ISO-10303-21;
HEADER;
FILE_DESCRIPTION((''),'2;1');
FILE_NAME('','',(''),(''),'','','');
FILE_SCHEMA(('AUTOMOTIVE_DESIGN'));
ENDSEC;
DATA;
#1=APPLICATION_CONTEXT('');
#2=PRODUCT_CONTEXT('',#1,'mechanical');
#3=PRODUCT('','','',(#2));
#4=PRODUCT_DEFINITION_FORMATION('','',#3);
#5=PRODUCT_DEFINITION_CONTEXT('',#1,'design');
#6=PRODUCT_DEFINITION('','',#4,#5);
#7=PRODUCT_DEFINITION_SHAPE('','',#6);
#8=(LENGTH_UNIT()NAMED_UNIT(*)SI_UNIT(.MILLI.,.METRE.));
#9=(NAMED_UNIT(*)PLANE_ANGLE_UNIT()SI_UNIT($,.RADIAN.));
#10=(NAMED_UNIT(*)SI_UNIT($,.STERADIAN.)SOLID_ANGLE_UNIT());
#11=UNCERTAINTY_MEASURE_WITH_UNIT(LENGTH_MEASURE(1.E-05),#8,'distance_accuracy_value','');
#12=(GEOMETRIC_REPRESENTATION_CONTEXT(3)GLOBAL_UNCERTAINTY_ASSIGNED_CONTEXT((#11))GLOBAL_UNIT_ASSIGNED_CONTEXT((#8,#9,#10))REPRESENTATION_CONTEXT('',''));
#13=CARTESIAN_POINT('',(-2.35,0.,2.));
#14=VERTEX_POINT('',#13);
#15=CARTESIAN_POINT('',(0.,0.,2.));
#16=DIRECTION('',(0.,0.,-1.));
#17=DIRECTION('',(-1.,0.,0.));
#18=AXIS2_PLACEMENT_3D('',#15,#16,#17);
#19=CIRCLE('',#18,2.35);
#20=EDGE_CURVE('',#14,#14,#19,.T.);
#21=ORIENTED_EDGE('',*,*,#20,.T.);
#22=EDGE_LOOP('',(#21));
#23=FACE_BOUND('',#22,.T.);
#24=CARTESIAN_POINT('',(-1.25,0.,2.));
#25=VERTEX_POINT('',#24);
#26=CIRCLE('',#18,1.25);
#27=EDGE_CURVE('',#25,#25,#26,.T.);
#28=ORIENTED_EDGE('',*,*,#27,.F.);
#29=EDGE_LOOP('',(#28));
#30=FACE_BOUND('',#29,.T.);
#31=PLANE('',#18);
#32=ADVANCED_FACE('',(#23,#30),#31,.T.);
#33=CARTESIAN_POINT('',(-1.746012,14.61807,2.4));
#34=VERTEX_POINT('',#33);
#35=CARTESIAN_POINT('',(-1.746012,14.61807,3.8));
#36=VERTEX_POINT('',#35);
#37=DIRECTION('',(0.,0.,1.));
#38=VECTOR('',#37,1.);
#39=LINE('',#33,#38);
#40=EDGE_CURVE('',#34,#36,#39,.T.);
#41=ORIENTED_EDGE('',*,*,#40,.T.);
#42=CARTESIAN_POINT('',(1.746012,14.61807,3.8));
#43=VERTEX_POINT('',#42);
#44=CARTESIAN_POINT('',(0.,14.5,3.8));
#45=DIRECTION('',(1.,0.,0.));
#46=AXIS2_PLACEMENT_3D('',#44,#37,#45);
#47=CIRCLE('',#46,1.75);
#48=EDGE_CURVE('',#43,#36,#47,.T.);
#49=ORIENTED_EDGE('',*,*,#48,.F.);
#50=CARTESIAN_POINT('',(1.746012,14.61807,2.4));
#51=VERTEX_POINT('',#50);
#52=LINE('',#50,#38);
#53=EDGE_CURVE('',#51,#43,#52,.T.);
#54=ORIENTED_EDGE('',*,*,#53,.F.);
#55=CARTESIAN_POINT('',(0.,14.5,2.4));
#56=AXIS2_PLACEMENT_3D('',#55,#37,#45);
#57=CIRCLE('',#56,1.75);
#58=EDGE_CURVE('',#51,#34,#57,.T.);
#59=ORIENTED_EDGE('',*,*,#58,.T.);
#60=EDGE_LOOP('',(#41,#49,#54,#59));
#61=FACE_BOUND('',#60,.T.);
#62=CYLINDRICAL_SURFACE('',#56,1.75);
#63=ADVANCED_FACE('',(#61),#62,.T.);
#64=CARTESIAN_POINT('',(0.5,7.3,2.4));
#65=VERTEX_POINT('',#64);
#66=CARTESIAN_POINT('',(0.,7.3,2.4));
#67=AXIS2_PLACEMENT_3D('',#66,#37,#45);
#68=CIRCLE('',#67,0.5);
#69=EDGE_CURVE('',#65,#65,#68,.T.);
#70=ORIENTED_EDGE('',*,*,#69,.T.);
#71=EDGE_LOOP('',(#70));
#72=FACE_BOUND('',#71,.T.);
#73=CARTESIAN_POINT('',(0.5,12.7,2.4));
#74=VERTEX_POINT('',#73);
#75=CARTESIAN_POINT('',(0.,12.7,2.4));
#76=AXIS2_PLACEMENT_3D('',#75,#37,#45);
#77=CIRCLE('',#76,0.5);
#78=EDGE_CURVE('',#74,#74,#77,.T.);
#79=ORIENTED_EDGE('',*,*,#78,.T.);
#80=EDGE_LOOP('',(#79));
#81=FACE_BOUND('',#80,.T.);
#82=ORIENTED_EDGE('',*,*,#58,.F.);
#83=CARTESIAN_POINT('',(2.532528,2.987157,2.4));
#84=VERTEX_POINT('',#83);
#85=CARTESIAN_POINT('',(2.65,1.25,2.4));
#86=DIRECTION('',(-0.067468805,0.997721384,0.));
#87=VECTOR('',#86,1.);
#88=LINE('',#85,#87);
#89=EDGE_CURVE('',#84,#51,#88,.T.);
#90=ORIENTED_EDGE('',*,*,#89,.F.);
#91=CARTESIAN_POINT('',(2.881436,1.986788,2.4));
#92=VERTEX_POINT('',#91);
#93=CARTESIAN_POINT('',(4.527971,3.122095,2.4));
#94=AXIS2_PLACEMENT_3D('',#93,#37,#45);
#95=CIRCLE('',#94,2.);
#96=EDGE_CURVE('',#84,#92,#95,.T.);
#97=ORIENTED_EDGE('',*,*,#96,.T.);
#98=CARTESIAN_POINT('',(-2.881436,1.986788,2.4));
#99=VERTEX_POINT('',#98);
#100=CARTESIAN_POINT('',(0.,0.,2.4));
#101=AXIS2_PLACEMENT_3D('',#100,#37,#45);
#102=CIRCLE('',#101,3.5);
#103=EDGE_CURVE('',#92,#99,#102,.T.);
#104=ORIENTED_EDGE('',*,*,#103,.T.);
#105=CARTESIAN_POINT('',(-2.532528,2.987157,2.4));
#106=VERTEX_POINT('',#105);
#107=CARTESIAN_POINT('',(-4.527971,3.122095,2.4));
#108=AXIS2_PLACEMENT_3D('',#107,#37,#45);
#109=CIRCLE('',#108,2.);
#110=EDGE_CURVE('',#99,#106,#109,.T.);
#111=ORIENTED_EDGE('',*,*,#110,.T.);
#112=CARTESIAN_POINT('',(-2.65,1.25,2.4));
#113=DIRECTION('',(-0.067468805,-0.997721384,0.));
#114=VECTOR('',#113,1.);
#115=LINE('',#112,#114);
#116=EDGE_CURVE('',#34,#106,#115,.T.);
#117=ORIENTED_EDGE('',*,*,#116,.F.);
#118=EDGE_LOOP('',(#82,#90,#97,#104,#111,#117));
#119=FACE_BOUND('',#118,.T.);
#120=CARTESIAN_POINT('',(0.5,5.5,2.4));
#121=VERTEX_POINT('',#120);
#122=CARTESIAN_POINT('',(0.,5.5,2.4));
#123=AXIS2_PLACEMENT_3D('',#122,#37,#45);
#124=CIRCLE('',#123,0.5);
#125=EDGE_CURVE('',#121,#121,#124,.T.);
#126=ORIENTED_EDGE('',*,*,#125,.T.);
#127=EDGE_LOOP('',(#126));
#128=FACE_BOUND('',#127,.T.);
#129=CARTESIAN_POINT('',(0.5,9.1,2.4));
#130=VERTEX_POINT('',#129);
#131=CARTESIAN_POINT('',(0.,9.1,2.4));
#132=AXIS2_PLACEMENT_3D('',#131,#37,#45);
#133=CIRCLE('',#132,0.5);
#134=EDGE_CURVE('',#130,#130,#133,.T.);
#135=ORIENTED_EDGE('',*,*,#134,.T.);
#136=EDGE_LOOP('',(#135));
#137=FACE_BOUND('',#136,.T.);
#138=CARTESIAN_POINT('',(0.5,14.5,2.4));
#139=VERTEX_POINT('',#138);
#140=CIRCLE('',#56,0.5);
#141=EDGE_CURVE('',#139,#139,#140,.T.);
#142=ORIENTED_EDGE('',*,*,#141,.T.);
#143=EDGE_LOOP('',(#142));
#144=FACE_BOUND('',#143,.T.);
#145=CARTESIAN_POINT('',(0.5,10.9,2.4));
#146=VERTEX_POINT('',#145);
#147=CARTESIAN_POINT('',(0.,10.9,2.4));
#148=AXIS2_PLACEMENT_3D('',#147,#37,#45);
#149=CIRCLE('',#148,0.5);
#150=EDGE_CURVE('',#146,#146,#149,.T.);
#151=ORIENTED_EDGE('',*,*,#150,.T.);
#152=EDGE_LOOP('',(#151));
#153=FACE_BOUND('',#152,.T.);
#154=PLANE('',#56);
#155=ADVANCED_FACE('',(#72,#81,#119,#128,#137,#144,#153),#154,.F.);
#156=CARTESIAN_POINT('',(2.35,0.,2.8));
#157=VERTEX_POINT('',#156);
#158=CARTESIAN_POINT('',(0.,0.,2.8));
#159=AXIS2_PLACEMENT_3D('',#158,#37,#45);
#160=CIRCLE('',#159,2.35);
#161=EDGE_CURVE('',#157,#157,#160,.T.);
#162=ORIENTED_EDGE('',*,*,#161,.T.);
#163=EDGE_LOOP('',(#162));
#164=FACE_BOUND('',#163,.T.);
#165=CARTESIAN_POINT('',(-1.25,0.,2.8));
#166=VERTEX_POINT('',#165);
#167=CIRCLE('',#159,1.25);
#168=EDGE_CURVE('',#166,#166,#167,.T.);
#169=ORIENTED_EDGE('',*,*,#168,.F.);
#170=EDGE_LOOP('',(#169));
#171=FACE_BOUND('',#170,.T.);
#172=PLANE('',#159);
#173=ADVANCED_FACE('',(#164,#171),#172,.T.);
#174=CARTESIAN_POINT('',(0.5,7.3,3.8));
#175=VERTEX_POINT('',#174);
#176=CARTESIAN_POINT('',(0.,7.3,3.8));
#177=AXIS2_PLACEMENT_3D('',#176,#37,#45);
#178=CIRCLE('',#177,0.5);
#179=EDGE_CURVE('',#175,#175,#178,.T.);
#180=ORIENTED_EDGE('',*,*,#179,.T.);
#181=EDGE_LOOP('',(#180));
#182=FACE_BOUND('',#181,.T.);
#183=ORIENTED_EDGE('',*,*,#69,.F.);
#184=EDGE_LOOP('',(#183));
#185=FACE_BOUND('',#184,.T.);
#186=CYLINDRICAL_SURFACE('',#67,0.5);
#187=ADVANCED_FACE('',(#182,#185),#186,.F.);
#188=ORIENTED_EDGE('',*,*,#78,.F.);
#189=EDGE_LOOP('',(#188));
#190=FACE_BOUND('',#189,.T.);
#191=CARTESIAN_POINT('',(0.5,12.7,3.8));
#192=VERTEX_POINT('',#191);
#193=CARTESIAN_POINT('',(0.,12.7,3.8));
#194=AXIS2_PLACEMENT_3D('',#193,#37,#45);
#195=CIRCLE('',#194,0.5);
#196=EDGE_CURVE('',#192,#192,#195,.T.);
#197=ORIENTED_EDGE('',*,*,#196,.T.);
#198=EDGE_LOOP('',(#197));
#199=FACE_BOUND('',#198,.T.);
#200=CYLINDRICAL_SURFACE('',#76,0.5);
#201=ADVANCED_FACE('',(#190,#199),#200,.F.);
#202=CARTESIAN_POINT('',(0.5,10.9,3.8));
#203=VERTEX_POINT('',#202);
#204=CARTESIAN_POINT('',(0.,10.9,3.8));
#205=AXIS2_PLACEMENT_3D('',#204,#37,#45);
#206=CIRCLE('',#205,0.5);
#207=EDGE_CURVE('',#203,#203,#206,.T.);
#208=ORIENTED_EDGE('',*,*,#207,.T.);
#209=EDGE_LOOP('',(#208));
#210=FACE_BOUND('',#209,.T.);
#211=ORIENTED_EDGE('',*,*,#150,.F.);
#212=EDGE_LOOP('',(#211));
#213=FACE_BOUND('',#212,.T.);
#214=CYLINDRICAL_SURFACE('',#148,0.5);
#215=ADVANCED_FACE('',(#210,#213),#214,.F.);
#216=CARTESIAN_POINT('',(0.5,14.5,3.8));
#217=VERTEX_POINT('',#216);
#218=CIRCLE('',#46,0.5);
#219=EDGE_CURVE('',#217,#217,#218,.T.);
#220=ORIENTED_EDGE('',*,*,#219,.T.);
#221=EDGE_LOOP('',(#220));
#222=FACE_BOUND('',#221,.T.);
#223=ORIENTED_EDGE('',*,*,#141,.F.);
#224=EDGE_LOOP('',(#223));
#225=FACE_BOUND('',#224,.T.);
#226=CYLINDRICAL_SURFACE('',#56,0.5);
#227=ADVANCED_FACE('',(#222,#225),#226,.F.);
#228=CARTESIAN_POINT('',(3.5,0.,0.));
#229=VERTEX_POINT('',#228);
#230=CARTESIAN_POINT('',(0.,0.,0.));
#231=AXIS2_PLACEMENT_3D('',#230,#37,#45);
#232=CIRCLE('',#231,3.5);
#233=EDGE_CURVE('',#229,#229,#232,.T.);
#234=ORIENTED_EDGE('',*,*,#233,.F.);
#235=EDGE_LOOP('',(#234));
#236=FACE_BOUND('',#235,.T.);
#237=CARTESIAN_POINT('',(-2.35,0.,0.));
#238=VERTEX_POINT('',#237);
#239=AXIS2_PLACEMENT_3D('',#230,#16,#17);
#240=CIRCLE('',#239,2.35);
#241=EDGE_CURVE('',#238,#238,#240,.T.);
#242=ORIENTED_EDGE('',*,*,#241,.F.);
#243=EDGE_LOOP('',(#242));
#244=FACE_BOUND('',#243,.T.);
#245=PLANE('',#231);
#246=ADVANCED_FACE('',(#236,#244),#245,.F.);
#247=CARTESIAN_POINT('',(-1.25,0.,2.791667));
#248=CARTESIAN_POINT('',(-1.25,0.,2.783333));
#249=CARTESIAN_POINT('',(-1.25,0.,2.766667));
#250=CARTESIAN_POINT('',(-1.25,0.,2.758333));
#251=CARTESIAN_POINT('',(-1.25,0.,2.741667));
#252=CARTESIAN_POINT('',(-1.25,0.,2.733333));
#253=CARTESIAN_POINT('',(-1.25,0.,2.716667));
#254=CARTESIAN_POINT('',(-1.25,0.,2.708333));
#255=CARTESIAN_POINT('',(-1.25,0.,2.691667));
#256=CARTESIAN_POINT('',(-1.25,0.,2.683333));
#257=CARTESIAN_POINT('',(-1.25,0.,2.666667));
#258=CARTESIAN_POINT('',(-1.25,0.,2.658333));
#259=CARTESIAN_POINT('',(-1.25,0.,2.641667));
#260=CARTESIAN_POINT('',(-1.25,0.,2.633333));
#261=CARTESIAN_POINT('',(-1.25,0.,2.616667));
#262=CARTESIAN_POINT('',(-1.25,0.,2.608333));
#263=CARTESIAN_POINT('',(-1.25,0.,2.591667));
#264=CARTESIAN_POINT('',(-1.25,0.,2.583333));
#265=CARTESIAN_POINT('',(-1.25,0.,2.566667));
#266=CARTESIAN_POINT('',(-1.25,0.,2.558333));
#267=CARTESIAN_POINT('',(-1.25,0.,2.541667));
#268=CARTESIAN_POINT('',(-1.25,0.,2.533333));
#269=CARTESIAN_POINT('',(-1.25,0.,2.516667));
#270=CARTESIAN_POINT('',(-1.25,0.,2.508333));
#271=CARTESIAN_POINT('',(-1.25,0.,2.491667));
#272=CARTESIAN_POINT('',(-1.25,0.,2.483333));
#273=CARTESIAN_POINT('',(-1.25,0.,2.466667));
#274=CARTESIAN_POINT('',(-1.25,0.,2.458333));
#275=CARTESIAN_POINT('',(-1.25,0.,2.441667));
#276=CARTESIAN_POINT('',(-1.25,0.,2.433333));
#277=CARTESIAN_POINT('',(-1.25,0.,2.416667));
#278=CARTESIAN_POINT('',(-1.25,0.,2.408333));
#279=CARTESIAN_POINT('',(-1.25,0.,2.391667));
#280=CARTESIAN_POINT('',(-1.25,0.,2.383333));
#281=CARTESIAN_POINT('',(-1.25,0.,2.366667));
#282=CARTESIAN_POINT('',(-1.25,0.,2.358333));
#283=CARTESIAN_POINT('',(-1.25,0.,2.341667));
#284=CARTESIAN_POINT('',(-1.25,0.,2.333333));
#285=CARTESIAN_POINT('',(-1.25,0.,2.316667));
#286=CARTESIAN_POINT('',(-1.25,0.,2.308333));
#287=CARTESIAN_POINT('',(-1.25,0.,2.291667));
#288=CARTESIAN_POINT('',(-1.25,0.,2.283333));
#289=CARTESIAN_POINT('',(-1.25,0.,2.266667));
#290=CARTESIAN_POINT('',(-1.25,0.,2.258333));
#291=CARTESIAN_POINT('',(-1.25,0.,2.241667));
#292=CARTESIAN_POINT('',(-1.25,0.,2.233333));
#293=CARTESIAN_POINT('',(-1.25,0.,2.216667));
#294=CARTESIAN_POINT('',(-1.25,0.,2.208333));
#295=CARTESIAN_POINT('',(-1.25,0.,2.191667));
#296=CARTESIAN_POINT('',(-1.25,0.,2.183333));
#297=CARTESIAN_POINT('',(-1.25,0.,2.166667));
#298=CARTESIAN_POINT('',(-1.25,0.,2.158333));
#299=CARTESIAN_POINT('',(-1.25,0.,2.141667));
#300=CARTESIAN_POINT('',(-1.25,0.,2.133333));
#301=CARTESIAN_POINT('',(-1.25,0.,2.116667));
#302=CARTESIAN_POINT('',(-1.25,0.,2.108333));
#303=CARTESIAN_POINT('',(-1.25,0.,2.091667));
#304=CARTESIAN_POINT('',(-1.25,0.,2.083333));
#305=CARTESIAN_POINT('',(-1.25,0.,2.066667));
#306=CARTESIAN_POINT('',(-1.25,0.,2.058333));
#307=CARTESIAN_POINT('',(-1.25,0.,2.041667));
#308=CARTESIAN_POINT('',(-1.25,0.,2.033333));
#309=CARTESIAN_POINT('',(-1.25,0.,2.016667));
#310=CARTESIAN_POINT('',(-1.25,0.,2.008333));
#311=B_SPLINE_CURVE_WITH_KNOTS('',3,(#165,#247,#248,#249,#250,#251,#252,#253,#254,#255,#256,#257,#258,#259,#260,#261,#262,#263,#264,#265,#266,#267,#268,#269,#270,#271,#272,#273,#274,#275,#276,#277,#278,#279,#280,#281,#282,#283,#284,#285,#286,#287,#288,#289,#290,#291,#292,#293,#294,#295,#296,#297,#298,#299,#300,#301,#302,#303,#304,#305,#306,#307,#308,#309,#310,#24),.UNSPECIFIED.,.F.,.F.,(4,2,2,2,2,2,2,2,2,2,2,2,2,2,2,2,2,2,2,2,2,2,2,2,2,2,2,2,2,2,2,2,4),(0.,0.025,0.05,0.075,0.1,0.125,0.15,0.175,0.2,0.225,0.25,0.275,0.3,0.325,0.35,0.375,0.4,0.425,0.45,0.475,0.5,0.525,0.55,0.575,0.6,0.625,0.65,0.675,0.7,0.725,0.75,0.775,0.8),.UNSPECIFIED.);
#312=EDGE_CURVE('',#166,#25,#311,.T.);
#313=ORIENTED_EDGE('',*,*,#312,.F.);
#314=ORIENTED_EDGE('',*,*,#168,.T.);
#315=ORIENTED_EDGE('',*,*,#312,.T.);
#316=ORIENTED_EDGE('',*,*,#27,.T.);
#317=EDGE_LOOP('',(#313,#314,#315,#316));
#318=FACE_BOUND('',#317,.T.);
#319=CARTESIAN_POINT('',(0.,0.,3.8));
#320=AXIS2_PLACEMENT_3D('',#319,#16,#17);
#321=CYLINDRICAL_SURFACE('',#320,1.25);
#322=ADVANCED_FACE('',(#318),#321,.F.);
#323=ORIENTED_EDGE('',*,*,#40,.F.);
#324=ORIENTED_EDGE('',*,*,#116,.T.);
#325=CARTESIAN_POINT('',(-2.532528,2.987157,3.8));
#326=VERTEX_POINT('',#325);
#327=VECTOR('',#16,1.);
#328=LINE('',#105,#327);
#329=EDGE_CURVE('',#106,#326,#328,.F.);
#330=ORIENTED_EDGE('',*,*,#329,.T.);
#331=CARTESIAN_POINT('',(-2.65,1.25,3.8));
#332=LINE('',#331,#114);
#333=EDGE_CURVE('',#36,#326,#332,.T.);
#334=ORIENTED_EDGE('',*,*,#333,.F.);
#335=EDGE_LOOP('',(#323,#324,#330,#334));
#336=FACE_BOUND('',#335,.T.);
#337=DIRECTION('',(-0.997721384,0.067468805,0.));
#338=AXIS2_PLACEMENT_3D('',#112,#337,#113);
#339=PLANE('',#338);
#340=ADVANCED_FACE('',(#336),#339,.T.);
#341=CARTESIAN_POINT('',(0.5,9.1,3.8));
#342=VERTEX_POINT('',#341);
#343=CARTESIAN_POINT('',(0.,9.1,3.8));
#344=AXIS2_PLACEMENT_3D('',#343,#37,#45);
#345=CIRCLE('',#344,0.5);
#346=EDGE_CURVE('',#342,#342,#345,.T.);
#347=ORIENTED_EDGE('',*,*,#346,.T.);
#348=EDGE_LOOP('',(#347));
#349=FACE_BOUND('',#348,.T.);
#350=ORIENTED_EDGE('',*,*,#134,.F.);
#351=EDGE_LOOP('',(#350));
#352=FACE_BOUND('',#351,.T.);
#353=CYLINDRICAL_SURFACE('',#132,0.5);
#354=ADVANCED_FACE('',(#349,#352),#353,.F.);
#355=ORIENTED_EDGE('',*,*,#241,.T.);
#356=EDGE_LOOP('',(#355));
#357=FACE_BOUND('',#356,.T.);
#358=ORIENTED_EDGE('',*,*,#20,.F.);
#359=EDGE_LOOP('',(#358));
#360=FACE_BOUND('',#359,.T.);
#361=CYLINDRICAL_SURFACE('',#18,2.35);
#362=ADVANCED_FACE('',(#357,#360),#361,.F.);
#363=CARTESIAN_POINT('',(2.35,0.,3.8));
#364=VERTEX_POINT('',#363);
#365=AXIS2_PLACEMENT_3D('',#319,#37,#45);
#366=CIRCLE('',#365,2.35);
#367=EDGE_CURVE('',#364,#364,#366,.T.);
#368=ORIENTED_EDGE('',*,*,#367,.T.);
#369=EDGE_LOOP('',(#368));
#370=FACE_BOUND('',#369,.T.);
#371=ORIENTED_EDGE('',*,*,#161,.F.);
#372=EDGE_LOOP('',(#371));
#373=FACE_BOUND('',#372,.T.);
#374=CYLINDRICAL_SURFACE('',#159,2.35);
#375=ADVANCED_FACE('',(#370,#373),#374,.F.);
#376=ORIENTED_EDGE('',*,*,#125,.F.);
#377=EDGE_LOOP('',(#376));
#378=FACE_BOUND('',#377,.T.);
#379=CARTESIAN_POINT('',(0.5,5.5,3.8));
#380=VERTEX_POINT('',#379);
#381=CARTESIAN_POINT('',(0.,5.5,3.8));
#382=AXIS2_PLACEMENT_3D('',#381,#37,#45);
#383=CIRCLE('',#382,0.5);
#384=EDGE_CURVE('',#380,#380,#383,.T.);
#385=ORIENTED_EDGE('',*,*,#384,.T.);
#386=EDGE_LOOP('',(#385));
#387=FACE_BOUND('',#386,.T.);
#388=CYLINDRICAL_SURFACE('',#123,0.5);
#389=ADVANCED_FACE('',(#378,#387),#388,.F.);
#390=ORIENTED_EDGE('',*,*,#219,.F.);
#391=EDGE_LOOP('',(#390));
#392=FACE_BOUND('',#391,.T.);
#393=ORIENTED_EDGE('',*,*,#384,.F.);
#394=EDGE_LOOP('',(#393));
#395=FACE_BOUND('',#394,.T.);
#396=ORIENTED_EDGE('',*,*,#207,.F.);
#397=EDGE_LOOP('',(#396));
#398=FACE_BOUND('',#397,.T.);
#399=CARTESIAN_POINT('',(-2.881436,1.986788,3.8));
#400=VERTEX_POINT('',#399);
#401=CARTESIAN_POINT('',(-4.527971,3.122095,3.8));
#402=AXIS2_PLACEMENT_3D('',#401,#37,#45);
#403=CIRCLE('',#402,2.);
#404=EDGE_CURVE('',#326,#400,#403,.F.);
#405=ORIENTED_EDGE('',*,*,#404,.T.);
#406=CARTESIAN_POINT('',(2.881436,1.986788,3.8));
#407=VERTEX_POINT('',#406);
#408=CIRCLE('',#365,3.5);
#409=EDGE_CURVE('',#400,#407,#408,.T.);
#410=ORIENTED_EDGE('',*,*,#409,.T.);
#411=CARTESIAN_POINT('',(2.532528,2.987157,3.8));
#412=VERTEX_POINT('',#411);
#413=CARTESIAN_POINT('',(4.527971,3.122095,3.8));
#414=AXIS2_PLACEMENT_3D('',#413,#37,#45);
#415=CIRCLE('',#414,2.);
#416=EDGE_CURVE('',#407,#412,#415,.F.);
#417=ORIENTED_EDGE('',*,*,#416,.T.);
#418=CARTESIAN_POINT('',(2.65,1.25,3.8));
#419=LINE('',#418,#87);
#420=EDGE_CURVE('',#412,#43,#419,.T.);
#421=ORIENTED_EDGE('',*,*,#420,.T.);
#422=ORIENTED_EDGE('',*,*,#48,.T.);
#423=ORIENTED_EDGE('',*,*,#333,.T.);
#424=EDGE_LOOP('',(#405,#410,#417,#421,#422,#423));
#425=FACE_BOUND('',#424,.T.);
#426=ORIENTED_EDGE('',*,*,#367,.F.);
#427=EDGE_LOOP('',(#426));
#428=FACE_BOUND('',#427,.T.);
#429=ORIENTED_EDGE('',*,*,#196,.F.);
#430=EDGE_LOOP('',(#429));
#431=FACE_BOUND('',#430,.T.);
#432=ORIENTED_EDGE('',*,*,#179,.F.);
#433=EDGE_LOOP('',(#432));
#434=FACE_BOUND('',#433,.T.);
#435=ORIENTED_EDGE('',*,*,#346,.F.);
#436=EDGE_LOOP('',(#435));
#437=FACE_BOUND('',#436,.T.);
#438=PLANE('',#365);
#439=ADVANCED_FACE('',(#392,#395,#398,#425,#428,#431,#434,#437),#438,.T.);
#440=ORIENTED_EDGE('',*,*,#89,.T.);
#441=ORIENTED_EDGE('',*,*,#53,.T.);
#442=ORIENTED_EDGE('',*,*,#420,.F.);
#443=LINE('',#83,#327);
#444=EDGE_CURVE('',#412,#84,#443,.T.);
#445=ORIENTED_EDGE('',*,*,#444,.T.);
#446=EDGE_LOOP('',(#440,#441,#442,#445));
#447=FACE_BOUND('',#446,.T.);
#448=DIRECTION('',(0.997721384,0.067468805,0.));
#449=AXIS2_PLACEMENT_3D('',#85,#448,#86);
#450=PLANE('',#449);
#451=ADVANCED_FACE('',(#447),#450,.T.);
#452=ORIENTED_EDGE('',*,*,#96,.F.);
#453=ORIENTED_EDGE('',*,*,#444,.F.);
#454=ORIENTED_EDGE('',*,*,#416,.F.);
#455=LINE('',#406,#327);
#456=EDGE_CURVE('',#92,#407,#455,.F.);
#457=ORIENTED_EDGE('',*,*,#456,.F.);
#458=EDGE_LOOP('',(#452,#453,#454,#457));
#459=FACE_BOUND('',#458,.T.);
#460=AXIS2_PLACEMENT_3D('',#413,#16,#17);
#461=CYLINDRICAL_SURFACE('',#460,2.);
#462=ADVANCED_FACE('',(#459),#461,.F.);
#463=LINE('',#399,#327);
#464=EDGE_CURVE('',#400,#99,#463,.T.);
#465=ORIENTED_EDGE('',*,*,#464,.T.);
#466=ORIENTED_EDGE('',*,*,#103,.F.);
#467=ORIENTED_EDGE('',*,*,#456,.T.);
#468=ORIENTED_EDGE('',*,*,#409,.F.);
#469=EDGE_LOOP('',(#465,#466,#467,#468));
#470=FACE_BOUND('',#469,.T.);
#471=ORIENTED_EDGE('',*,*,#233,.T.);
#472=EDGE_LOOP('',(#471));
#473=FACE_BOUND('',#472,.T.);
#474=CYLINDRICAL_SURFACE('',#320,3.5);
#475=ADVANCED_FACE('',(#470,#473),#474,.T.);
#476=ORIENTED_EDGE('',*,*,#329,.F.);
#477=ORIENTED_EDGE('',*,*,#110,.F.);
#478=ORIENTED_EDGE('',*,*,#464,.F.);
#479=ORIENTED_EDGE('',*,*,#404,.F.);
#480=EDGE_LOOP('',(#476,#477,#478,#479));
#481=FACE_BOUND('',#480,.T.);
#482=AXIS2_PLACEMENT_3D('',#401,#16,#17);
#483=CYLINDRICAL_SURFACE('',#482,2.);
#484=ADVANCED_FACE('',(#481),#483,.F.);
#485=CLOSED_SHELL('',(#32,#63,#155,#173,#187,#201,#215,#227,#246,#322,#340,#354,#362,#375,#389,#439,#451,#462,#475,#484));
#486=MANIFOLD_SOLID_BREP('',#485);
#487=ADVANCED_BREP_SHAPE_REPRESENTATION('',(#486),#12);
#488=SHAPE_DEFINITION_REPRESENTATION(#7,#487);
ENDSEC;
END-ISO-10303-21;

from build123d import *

# Parameters (mm, degrees)
SKIZZE1_R                       = 3.5
SKIZZE1_R_2                     = 1.25
AUFSATZ_LINEAR_AUSTRAGEN1_DEPTH = 3.8
SKIZZE2_R                       = 0.5
AUFSATZ_LINEAR_AUSTRAGEN2_DEPTH = 1.4
SKIZZE3_R                       = 2.35
SCHNITT_LINEAR_AUSTRAGEN1_DEPTH = 1
SCHNITT_LINEAR_START            = -2
SKIZZE4_R                       = 2.35
SCHNITT_LINEAR_AUSTRAGEN2_DEPTH = 2
VERRUNDUNG1_R                   = 2


with BuildPart() as part:
    # Skizze1 → Aufsatz-Linear austragen1 (new body)
    with BuildSketch(Plane.XY):
        with Locations(Location((0, 0, 0), (0, 0, 180))):
            Circle(SKIZZE1_R)
        with Locations(Location((0, 0, 0), (0, 0, 180))):
            Circle(SKIZZE1_R_2, mode=Mode.SUBTRACT)
    extrude(amount=AUFSATZ_LINEAR_AUSTRAGEN1_DEPTH)

    # Skizze2 → Aufsatz-Linear austragen2 (add)
    with BuildSketch(Plane.XY.offset(3.8)):
        with BuildLine():
            Line((2.65, 1.25), (-2.65, 1.25))
            Line((-2.65, 1.25), (-1.746012422, 14.618070409))
            ThreePointArc((-1.746012422, 14.618070409), (0, 16.25), (1.746012422, 14.618070409))
            Line((1.746012422, 14.618070409), (2.65, 1.25))
        make_face()
        with Locations((0, 14.5)):
            Circle(SKIZZE2_R, mode=Mode.SUBTRACT)
        with Locations((0, 12.7)):
            Circle(SKIZZE2_R, mode=Mode.SUBTRACT)
        with Locations((0, 10.9)):
            Circle(SKIZZE2_R, mode=Mode.SUBTRACT)
        with Locations((0, 9.1)):
            Circle(SKIZZE2_R, mode=Mode.SUBTRACT)
        with Locations((0, 7.3)):
            Circle(SKIZZE2_R, mode=Mode.SUBTRACT)
        with Locations((0, 5.5)):
            Circle(SKIZZE2_R, mode=Mode.SUBTRACT)
    extrude(amount=-AUFSATZ_LINEAR_AUSTRAGEN2_DEPTH)

    # Skizze3 → Schnitt-Linear austragen1 (cut)
    with BuildSketch(Plane.XY.offset(3.8)):
        Circle(SKIZZE3_R)
    extrude(amount=-SCHNITT_LINEAR_AUSTRAGEN1_DEPTH, mode=Mode.SUBTRACT)

    # Skizze4 → Schnitt-Linear austragen2 (cut)
    with BuildSketch(Plane(origin=(0, 0, 0), x_dir=(-1, 0, 0), z_dir=(0, 0, -1)).offset(SCHNITT_LINEAR_START)):
        with Locations(Location((0, 0, 0), (0, 0, 180))):
            Circle(SKIZZE4_R)
    extrude(amount=SCHNITT_LINEAR_AUSTRAGEN2_DEPTH, mode=Mode.SUBTRACT)

    # Verrundung1
    verrundung1_edges = [part.edges().sort_by_distance(p)[0] for p in [
        (-2.5741658, 2.371427931, 3.1),
        (2.5741658, 2.371427931, 3.1),
    ]]
    fillet(verrundung1_edges, radius=VERRUNDUNG1_R)


solid = part.part
